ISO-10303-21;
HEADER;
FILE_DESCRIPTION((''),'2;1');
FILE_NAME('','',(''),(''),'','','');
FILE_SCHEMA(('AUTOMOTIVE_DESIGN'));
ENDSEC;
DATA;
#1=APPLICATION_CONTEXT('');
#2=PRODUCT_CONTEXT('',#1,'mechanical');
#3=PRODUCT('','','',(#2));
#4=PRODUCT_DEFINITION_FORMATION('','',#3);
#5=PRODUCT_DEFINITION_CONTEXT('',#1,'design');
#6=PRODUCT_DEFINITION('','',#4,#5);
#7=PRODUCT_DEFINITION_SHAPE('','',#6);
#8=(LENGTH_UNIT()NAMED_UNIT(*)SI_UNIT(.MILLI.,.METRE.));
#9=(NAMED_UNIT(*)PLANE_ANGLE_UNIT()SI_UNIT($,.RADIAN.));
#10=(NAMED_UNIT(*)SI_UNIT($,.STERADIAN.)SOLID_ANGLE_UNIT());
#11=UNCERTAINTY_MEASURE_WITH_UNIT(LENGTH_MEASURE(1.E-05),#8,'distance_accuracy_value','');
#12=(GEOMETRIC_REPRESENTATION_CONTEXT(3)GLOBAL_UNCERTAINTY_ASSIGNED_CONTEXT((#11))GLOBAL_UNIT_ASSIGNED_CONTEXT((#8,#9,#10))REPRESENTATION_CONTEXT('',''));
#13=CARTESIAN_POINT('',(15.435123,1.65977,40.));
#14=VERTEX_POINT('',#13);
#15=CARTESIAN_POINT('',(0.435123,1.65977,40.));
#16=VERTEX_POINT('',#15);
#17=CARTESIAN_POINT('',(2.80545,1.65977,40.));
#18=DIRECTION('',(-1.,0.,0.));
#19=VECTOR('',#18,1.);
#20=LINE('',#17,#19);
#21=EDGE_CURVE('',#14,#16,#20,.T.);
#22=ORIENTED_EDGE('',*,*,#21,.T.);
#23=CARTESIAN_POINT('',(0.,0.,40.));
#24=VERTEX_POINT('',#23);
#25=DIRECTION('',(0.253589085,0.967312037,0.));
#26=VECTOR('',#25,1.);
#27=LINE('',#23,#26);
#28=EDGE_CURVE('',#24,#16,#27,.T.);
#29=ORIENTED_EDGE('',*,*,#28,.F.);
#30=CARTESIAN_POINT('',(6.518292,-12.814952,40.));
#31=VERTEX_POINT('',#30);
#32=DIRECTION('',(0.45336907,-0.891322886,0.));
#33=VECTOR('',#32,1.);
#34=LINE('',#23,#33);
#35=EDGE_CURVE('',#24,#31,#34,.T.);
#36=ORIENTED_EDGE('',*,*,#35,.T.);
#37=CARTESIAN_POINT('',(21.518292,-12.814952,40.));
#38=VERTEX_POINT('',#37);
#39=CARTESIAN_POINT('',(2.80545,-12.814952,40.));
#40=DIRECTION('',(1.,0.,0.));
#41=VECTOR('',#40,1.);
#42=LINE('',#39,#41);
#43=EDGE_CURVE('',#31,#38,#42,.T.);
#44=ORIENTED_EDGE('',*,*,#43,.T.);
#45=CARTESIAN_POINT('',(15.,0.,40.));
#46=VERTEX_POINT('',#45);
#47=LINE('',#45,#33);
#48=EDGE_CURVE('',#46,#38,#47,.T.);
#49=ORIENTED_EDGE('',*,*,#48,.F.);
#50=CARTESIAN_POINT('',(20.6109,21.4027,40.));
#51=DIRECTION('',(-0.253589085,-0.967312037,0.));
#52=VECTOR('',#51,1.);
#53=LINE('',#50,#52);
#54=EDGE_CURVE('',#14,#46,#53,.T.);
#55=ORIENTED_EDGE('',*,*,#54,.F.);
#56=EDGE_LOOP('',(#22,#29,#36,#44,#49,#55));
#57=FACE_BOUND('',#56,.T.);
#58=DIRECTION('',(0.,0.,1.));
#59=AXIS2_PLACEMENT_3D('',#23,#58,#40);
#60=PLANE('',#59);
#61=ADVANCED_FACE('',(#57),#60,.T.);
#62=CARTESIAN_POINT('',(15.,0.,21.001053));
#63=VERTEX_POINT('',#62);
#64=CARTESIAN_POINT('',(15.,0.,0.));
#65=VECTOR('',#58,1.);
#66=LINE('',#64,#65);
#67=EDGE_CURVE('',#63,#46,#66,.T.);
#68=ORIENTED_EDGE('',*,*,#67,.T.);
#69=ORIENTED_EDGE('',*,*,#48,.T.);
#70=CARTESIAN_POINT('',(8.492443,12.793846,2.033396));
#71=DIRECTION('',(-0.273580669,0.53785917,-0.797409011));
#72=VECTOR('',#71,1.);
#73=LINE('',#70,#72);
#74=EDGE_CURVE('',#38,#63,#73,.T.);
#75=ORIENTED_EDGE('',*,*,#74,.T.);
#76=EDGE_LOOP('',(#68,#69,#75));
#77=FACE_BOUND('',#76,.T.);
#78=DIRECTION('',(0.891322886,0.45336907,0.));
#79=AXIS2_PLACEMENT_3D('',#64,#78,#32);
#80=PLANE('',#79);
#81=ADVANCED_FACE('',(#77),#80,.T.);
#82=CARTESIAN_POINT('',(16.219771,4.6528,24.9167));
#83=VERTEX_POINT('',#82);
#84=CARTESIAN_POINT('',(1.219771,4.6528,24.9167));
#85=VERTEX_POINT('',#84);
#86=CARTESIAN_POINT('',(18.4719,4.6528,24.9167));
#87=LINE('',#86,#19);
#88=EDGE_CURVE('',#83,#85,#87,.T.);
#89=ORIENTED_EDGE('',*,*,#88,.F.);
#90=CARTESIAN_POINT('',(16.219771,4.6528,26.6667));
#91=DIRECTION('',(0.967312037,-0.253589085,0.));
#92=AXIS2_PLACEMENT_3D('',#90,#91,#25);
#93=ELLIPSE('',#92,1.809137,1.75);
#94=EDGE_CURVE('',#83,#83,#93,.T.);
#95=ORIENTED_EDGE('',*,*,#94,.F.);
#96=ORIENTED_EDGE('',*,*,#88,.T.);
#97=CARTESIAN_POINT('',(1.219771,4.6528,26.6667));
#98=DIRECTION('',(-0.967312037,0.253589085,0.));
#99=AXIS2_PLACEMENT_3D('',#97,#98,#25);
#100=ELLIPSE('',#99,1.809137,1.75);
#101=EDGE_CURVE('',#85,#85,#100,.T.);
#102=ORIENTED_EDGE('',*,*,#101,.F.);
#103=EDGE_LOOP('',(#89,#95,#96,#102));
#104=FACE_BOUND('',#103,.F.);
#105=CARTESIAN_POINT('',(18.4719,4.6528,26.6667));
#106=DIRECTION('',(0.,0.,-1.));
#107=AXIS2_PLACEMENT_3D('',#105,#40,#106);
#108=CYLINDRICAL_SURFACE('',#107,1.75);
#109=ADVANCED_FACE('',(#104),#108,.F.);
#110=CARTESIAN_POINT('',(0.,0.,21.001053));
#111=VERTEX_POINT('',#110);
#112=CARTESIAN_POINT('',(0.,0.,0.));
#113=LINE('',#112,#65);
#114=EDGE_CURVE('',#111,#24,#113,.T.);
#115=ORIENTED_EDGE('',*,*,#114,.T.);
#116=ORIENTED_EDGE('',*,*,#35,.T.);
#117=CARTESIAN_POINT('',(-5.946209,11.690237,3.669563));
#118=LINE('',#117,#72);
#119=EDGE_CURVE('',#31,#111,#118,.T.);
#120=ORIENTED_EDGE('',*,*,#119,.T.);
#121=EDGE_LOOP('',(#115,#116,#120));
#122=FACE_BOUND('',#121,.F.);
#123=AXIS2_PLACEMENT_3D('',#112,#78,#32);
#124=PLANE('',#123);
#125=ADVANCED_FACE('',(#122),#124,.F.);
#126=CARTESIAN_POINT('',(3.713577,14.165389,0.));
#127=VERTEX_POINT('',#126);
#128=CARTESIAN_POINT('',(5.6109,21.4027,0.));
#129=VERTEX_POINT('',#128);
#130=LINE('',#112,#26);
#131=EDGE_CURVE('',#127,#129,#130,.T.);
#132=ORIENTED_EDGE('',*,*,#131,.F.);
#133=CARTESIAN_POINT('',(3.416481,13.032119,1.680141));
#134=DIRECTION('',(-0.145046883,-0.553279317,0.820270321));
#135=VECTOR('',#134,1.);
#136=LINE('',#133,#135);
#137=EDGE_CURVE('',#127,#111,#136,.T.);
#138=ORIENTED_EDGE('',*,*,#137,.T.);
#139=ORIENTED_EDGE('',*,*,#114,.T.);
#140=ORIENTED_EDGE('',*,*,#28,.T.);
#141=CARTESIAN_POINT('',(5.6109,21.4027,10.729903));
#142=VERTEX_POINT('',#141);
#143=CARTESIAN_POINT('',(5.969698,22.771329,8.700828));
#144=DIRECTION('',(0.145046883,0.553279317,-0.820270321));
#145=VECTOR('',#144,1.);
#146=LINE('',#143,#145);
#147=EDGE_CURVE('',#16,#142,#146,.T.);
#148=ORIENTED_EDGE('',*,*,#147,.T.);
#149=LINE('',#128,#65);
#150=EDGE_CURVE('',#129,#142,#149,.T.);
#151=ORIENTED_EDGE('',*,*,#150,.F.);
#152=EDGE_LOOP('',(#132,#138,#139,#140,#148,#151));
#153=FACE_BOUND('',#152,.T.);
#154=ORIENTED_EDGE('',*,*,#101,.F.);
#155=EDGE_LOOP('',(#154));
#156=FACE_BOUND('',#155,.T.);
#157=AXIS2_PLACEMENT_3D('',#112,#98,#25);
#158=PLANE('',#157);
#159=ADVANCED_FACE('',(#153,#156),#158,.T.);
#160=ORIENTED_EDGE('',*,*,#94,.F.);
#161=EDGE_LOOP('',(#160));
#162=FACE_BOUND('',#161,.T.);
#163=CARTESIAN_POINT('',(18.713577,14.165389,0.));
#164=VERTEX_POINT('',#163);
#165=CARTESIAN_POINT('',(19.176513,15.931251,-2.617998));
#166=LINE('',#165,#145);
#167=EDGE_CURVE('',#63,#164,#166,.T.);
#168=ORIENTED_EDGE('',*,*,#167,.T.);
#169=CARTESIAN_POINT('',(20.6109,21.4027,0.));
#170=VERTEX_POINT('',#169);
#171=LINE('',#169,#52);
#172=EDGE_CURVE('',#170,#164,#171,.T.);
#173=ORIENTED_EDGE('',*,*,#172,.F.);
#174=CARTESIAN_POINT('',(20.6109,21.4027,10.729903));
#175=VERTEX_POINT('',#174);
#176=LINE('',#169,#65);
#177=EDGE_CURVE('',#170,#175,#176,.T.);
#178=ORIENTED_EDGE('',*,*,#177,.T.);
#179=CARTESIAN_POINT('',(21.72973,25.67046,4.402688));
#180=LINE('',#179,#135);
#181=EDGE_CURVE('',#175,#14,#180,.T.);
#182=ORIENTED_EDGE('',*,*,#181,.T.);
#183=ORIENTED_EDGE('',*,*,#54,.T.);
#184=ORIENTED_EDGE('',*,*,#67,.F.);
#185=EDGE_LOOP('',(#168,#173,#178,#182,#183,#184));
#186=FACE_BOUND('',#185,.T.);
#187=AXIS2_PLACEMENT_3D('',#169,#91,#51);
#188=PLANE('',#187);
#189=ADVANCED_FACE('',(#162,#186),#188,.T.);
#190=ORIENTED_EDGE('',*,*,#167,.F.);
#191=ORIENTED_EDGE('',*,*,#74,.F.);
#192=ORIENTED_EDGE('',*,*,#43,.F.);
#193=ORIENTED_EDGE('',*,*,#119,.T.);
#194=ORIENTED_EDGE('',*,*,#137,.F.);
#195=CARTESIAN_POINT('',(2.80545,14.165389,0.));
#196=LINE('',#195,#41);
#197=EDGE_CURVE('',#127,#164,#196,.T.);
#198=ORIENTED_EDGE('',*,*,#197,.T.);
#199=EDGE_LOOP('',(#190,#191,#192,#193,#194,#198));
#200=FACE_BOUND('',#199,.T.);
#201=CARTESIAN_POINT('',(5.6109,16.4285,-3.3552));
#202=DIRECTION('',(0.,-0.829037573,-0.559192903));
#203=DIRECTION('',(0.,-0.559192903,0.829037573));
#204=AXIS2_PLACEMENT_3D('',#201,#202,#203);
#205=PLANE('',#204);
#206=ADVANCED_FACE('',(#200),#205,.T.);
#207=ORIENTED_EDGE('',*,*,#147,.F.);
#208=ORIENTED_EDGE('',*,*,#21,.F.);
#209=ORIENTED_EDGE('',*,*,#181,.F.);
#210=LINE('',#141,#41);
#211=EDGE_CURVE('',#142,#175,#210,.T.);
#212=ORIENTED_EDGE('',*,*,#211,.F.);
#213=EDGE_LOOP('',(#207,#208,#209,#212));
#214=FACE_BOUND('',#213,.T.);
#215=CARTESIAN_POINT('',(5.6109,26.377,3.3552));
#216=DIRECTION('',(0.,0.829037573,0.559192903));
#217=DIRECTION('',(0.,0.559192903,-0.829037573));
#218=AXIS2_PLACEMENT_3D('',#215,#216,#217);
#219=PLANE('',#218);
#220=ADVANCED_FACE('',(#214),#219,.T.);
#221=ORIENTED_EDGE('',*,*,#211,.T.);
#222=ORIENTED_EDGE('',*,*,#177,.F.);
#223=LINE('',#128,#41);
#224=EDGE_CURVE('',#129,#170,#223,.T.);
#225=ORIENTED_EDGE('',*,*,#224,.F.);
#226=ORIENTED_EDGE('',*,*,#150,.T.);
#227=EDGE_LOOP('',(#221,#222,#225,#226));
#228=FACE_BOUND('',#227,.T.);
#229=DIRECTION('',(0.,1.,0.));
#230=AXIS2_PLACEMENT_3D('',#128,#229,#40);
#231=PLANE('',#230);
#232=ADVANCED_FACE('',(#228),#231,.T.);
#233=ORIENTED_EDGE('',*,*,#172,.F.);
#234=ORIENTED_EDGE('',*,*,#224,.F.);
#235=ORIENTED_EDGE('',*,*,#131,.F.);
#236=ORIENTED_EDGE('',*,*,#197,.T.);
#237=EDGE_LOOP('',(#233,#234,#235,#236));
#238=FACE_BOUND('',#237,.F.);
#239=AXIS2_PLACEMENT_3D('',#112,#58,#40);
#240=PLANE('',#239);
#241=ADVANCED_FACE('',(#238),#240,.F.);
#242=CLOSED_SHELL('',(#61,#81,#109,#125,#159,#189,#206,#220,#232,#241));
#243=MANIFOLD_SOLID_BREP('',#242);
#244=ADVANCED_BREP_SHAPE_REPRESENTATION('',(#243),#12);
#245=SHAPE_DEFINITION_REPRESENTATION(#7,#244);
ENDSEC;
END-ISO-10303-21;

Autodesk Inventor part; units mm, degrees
sketch "Sketch1" plane through (0, 0, 0) normal (0, 0, 1) x (1, 0, 0)
  line L0 (0, 0) -> (5.6109, 21.4027)
  line L1 (5.6109, 21.4027) -> (20.6109, 21.4027)
  line L2 (20.6109, 21.4027) -> (15, 0)
  line L3 (15, 0) -> (21.9438, -13.6515)
  line L4 (21.9438, -13.6515) -> (6.9438, -13.6515)
  line L5 (0, 0) -> (6.9438, -13.6515)
  line L6 (0, 0) -> (0, 15.6682) construction
  dimension "d0" = 138.35
  dimension "d1" = 138.35
  dimension "d2" = 15.316
  dimension "d3" = 22.126
  dimension "d4" = 15
  dimension "d5" = 14.69
extrude "Extrusion1" add sketch "Sketch1" along normal blind 40
ref_plane "Work Plane1" through (18.4719, 13.2435, 1) normal (1, 0, 0) x (0, 0, -1)
sketch "Sketch3" plane through (18.4719, 13.2435, 1) normal (1, 0, 0) x (0, 0, -1)
  circle A0 centre (-25.6667, -8.5907) radius 1.75
  line L0 (1, 8.1593) -> (1, -13.2435) projected
  line L1 (-39, -13.2435) -> (-39, 8.1593) projected
  line L2 (1, 8.1593) -> (-39, 8.1593) projected
  dimension "d11" = 3.5
  dimension "d12" = 26.6667
  dimension "d13" = 13.3333
  dimension "d14" = 15
extrude "Extrusion3" cut sketch "Sketch3" against normal through all
ref_plane "Work Plane9" through (5.6109, 21.4027, 0) normal (0, -0.829, -0.5592) x (1, 0, 0)
ref_plane "Work Plane8" through (21.9438, -13.6515, 40) normal (0, -1, 0) x (1, 0, 0)
ref_plane "Work Plane10" through (5.6109, 16.4285, -3.3552) normal (0, -0.829, -0.5592) x (1, 0, 0)
ref_plane "Work Plane11" through (5.6109, 26.377, 3.3552) normal (0, -0.829, -0.5592) x (1, 0, 0)
split "Split7" plane through (5.6109, 26.377, 3.3552) removes the side toward (0, 0.829, 0.5592)
split "Split8" plane through (5.6109, 16.4285, -3.3552) removes the side toward (0, -0.829, -0.5592)
equation "\"d1\" = d0"
equation "\"d12\" = 2 * d13"
properties part number "Screen Adapter"
